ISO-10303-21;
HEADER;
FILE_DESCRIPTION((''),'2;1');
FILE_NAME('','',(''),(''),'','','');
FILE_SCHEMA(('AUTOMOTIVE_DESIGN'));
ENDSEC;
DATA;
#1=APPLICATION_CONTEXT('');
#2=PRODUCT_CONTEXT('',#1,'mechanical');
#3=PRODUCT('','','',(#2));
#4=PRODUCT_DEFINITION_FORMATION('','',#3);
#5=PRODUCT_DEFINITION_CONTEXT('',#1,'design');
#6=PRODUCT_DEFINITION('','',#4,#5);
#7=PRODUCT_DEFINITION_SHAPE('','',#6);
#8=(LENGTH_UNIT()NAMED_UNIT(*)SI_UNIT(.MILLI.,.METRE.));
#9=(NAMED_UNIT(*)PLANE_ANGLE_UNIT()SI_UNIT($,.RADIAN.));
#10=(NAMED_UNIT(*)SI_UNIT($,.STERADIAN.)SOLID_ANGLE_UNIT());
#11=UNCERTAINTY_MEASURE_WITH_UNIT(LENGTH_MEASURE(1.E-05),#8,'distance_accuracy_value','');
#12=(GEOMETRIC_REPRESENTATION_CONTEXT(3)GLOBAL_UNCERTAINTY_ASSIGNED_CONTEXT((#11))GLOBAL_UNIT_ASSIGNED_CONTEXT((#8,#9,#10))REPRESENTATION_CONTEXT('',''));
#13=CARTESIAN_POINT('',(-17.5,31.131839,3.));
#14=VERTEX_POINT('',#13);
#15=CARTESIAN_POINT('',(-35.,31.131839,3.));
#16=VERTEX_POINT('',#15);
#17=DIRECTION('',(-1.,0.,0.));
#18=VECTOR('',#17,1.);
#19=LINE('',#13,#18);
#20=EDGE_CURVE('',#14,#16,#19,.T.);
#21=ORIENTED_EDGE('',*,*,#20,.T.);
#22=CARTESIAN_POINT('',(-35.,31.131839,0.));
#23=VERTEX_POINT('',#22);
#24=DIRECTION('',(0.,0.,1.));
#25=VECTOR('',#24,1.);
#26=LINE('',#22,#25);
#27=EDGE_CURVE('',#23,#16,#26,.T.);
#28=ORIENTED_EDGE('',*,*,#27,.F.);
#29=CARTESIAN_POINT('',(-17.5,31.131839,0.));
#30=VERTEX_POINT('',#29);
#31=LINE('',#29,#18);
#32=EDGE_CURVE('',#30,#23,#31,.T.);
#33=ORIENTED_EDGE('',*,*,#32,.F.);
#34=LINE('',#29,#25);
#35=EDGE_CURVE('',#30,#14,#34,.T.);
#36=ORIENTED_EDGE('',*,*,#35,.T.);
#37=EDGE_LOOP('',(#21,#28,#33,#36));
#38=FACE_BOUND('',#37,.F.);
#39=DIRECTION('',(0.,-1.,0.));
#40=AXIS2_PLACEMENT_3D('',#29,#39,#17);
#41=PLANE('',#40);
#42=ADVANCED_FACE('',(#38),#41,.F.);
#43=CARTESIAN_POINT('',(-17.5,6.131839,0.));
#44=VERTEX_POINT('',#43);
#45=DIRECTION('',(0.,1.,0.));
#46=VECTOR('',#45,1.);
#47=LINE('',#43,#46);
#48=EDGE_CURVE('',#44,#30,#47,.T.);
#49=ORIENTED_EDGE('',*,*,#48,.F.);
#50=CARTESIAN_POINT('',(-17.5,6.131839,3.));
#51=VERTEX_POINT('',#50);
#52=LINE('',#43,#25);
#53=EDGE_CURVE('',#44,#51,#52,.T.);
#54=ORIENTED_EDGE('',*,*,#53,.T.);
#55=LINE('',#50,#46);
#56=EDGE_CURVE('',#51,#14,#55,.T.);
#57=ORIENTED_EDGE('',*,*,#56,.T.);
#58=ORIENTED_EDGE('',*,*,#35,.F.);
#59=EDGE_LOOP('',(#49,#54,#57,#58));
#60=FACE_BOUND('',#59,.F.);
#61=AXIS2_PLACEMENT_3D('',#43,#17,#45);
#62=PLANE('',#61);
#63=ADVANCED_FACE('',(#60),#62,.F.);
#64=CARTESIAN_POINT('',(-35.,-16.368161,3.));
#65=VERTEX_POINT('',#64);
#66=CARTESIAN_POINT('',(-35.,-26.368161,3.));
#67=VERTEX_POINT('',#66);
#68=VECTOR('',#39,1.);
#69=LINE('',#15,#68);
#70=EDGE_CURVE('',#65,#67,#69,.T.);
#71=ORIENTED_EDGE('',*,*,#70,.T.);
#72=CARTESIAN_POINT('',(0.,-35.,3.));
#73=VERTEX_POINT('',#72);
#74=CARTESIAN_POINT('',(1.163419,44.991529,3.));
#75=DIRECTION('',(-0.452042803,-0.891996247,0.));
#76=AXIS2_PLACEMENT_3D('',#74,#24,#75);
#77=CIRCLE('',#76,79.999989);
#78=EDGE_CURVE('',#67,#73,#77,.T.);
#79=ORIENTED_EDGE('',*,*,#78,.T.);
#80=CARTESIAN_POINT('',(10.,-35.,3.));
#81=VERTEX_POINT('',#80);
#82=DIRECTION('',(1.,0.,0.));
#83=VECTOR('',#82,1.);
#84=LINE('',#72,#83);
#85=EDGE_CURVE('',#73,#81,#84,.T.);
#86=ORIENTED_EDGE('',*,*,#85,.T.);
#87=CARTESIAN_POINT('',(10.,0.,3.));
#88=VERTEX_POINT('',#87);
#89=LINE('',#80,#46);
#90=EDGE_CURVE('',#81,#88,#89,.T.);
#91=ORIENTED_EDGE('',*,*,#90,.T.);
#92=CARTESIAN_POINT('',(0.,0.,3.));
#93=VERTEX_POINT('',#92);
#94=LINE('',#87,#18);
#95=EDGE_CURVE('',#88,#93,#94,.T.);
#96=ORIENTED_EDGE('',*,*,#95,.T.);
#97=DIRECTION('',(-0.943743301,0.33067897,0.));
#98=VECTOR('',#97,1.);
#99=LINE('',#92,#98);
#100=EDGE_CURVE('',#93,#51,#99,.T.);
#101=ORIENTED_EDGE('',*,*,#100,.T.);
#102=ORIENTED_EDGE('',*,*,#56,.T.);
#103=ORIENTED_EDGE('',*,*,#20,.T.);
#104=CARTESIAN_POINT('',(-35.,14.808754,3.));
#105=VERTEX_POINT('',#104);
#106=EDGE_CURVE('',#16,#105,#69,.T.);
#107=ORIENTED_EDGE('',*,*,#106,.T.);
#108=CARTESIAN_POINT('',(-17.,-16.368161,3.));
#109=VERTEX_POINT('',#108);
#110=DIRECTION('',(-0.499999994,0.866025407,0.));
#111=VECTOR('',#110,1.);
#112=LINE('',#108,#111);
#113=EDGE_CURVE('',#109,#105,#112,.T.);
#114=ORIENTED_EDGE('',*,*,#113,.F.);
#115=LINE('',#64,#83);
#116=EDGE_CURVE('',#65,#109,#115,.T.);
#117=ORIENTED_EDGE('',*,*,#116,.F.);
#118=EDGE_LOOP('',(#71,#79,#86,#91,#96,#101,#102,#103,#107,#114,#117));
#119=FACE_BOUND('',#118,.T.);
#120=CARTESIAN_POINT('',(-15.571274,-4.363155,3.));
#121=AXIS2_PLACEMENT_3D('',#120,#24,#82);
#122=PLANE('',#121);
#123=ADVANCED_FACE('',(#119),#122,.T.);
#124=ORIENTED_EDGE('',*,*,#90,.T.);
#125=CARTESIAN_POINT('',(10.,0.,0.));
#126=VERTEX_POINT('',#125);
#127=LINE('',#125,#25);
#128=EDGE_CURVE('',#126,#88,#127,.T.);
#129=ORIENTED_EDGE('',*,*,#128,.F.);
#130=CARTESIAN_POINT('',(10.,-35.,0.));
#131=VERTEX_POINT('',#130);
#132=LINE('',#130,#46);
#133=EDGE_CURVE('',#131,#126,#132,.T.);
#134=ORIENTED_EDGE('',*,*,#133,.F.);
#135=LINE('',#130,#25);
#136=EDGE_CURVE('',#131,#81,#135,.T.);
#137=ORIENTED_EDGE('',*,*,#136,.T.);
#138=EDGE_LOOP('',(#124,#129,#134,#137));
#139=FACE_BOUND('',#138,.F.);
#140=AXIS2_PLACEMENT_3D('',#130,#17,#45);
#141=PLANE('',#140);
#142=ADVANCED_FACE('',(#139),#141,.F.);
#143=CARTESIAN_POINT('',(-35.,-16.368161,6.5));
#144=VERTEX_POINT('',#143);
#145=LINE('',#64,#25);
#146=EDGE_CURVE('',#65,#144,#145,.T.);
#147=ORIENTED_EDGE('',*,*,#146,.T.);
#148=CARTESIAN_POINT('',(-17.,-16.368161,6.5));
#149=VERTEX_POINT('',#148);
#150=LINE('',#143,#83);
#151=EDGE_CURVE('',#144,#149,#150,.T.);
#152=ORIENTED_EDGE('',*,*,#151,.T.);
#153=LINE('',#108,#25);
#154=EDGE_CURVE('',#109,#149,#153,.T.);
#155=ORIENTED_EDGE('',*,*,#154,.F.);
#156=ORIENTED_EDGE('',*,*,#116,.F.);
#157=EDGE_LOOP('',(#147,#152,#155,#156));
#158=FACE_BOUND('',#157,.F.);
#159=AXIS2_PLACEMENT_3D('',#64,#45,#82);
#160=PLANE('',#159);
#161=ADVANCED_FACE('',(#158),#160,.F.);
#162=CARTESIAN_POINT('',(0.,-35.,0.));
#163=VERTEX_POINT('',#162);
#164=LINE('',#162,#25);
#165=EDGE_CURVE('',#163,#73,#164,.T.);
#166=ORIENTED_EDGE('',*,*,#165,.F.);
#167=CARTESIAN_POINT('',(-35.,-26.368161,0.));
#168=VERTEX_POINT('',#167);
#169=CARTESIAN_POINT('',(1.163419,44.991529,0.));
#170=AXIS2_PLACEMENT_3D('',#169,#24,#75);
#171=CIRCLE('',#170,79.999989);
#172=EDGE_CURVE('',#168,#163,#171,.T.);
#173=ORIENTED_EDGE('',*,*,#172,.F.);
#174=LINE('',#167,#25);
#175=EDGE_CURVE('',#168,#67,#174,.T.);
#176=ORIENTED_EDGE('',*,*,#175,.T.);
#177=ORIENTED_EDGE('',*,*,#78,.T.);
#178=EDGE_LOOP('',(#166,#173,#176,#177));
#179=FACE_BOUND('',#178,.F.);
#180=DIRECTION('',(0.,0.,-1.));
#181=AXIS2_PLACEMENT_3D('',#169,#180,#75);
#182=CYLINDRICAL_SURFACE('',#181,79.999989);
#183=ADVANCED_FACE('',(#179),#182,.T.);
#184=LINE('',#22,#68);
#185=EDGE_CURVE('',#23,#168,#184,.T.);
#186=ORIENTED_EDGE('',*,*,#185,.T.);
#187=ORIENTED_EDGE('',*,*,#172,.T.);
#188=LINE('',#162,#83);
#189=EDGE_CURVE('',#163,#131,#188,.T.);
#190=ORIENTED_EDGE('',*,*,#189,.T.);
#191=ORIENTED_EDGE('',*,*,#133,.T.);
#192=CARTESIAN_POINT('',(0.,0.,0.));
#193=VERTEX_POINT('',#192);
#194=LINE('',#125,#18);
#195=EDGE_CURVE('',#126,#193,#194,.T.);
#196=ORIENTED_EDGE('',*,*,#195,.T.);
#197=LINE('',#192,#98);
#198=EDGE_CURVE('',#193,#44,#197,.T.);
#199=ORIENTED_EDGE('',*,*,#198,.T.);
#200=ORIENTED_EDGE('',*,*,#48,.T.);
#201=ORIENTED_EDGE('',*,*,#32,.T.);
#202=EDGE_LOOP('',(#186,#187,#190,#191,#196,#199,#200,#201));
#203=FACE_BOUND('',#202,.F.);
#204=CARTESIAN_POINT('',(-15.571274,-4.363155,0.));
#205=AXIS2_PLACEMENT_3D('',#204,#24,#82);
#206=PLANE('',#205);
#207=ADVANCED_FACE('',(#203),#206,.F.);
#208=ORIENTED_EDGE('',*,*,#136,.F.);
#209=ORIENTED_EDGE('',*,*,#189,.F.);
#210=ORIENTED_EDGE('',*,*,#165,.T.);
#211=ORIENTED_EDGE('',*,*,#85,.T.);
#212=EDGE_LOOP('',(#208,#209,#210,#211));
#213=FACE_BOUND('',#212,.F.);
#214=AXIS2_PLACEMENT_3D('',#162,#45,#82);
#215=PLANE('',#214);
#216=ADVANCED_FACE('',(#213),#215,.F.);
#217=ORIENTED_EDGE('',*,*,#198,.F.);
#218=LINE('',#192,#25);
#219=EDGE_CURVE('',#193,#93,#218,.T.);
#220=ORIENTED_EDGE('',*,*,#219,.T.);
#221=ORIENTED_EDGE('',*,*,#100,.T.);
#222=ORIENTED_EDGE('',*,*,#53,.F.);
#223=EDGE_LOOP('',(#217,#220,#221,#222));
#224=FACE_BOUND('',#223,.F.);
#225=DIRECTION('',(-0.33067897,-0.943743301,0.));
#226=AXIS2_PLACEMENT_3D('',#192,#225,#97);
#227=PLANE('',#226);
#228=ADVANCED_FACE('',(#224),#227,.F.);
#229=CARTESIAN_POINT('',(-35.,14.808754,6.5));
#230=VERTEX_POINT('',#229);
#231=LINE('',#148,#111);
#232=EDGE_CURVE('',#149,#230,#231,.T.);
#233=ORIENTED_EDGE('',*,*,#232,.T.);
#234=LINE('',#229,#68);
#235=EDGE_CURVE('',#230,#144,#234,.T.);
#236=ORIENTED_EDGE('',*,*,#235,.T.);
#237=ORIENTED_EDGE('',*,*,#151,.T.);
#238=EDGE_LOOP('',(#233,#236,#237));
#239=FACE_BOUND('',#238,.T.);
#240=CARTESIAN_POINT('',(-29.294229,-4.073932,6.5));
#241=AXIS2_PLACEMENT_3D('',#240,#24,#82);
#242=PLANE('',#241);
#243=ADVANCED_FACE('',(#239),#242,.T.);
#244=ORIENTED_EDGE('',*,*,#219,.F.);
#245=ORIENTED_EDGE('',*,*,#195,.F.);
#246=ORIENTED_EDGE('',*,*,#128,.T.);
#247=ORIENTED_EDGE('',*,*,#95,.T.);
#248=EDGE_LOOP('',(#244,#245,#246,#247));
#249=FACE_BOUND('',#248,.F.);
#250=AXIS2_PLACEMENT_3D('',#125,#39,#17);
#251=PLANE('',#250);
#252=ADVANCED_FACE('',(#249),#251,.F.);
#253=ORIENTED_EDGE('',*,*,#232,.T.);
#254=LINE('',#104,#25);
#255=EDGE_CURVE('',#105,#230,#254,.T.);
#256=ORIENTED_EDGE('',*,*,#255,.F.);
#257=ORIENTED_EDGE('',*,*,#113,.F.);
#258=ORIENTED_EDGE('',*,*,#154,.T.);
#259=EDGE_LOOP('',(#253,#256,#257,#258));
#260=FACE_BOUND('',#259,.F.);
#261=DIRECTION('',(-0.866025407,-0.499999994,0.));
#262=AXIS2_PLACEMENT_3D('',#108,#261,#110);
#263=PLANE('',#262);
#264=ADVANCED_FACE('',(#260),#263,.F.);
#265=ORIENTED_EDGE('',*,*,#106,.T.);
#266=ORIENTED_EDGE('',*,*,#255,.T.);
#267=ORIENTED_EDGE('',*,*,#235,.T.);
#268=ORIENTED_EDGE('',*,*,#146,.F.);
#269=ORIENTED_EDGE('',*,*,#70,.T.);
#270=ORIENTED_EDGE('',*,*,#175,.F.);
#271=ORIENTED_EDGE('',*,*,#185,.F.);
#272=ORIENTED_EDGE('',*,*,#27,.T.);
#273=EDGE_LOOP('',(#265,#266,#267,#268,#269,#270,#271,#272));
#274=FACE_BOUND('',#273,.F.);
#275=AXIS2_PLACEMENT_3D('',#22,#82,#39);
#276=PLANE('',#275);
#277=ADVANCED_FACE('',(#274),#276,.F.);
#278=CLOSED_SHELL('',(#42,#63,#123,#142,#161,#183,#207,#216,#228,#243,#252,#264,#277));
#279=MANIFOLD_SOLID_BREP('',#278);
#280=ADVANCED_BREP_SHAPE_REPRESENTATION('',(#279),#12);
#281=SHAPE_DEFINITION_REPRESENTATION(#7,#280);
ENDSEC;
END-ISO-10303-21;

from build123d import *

# Parameters (mm, degrees)
F1_DEPTH = 3
F3_DEPTH = 3.5


with BuildPart() as f1:
    # F0 (on Top) → F1 (new body)
    with BuildSketch(Plane.XY):
        with BuildLine():
            Line((-17.5, 31.131839), (-35, 31.131839))
            Line((-35, 31.131839), (-35, -26.368161))
            ThreePointArc((-35, -26.368161), (-17.99253, -32.681168), (0, -35))
            Line((0, -35), (10, -35))
            Line((10, -35), (10, 0))
            Line((10, 0), (0, 0))
            Line((0, 0), (-17.5, 6.131839))
            Line((-17.5, 6.131839), (-17.5, 31.131839))
        make_face()
    extrude(amount=F1_DEPTH)

    # F2 (on face) → F3 (join)
    with BuildSketch(Plane.XY.offset(3)):
        Polygon((-35, 14.808754), (-35, -16.368161), (-17, -16.368161), align=None)
    extrude(amount=F3_DEPTH)


solid = f1.part
